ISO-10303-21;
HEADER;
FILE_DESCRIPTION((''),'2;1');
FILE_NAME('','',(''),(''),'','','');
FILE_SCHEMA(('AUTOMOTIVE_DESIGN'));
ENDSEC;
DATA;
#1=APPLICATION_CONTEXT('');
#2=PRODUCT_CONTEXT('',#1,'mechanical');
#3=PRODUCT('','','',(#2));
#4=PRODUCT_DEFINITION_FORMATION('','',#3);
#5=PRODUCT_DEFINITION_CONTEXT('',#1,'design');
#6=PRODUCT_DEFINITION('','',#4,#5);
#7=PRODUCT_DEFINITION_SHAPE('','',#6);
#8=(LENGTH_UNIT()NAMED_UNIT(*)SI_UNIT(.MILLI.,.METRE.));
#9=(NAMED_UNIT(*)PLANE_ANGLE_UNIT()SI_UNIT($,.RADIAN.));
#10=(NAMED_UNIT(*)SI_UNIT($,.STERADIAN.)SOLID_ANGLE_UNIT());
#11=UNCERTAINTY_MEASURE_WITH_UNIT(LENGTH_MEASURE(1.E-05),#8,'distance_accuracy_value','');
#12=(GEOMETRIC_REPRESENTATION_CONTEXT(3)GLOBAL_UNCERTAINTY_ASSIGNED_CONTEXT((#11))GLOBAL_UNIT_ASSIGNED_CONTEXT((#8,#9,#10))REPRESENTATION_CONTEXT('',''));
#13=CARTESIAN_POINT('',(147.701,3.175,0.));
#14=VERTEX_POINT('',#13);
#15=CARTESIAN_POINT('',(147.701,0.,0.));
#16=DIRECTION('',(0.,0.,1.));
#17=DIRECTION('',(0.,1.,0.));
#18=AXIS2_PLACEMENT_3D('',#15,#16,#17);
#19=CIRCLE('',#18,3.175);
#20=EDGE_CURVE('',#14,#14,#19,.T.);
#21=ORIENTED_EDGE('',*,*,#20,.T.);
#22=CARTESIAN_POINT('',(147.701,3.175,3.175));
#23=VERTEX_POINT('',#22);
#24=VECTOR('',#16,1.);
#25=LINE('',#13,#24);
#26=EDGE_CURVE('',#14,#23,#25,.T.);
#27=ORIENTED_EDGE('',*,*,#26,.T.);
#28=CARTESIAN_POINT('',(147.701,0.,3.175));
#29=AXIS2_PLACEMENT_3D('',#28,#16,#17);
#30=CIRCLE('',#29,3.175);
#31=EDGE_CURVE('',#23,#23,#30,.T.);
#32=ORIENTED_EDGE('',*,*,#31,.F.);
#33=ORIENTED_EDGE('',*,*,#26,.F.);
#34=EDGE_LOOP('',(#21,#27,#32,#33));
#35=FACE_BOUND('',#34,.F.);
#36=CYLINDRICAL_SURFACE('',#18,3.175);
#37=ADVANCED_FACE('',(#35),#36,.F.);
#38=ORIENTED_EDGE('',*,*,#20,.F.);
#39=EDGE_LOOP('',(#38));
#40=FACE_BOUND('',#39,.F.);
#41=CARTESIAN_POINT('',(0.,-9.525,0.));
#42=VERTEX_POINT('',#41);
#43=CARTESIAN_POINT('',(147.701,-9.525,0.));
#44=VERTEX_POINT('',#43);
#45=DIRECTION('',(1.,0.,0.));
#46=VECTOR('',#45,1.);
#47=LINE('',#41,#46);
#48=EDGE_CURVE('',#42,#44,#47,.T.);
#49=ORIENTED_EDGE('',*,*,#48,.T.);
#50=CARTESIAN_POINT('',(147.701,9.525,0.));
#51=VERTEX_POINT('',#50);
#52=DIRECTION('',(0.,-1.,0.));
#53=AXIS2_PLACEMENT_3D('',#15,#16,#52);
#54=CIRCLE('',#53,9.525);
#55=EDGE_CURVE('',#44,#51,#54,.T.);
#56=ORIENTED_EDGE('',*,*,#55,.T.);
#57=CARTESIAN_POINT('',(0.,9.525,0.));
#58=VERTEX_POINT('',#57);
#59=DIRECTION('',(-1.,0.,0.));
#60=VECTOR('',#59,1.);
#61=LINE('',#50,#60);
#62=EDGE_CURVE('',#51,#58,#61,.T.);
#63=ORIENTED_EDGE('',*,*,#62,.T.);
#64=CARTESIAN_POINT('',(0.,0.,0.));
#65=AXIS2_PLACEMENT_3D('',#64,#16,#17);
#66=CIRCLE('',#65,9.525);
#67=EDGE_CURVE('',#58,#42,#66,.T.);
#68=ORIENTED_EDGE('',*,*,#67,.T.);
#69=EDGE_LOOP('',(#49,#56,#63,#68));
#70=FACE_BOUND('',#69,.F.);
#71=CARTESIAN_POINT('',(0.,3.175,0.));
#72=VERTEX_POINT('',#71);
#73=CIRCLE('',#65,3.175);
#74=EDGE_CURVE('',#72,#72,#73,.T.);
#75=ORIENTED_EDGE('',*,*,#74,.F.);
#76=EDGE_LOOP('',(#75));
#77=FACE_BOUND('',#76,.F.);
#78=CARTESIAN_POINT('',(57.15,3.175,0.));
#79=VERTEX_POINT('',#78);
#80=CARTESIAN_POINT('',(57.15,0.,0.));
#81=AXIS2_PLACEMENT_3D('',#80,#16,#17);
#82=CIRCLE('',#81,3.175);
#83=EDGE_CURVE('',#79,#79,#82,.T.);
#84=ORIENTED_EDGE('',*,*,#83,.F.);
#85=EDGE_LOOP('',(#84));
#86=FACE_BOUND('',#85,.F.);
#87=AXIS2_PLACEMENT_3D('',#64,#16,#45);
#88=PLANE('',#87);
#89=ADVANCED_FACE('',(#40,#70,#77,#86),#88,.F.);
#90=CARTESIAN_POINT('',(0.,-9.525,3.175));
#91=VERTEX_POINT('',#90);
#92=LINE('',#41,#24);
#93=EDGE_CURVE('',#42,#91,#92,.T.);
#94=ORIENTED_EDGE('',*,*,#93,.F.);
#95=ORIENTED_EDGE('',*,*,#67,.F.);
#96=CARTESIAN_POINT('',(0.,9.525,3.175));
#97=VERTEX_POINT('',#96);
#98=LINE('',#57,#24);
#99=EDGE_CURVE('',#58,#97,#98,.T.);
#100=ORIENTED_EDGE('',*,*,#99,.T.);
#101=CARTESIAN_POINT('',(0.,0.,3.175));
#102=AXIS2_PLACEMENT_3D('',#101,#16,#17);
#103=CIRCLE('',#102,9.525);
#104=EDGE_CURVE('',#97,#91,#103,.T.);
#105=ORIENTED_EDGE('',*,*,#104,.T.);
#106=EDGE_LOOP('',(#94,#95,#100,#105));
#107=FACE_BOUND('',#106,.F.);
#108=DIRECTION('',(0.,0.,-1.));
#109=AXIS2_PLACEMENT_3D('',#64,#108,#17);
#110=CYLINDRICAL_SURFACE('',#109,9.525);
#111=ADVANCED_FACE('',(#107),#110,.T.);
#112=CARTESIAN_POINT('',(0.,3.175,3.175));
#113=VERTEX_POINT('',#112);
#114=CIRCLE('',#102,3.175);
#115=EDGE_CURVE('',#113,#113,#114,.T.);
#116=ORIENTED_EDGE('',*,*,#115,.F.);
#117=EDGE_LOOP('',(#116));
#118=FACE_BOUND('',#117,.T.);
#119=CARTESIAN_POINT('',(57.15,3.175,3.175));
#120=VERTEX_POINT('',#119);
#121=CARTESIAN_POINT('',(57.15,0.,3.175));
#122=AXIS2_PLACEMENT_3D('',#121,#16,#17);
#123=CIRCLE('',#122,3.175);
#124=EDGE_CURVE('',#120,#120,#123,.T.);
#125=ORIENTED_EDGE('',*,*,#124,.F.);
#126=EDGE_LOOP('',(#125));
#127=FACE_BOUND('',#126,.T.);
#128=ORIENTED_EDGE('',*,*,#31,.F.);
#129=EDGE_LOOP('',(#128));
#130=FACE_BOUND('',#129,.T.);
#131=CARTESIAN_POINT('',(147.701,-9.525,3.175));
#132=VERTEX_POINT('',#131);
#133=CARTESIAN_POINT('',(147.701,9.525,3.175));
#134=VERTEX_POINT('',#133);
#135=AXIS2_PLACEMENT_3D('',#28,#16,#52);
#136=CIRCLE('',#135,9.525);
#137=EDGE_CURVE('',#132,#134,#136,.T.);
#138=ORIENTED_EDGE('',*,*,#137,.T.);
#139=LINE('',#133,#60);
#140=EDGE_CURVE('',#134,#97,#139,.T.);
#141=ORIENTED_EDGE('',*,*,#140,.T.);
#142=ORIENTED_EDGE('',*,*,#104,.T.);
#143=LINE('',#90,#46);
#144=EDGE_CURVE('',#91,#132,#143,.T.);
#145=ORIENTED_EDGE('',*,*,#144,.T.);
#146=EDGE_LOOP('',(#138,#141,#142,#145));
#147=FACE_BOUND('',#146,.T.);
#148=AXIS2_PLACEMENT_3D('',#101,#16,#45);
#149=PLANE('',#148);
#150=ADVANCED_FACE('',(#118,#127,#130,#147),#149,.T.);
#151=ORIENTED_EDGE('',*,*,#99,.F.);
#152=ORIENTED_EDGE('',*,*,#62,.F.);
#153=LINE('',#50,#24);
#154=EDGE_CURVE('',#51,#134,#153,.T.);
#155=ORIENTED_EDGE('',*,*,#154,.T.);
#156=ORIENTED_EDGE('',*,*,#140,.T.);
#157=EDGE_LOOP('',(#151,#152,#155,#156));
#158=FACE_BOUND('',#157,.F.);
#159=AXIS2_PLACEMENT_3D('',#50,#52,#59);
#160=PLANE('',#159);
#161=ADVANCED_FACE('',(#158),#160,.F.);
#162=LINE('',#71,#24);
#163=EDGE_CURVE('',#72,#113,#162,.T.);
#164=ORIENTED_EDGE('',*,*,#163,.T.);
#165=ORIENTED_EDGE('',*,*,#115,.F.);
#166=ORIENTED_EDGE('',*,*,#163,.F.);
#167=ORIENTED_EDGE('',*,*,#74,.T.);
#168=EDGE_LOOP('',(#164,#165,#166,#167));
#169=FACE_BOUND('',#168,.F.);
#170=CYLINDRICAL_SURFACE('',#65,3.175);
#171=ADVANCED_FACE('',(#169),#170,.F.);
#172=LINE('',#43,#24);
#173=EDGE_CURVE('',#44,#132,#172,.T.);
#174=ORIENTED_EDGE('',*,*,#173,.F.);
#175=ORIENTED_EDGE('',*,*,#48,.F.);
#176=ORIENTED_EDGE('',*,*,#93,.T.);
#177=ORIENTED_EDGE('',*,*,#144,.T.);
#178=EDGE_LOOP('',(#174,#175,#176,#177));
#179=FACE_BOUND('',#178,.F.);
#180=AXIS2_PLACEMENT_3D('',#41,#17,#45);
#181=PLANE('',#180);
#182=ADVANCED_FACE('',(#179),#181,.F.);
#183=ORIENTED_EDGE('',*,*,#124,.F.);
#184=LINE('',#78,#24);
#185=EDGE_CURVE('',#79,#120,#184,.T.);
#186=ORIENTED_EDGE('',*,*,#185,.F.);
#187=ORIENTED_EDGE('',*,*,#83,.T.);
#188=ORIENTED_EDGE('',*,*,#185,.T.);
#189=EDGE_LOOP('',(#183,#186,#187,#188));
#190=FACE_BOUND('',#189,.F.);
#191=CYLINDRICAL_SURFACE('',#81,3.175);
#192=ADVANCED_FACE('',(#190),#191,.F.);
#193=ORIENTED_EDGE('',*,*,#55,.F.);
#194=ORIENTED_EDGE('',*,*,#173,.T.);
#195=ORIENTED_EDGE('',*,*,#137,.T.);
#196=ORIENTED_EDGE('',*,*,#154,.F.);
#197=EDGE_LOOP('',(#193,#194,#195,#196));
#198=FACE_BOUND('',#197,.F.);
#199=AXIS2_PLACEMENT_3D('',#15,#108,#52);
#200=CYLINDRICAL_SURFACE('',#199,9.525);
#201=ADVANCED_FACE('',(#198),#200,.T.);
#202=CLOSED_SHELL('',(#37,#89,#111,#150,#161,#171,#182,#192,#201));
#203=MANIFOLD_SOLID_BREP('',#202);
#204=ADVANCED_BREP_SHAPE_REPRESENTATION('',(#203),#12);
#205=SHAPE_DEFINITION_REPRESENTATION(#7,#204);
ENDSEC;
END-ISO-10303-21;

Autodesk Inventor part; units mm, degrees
ref_plane "YZ Plane" through (0, 0, 0) normal (1, 0, 0) x (0, 1, 0)
ref_plane "XZ Plane" through (0, 0, 0) normal (0, 1, 0) x (-1, 0, 0)
ref_plane "XY Plane" through (0, 0, 0) normal (0, 0, 1) x (1, 0, 0)
sketch "Sketch1" plane through (0, 0, 0) normal (0, 0, 1) x (1, 0, 0)
  line L0 (0, 0) -> (147.701, 0) construction
  line L1 (0, -9.525) -> (147.701, -9.525)
  line L2 (147.701, 9.525) -> (0, 9.525)
  arc A0 (0, 9.525) -> (0, -9.525) centre (0, 0) ccw
  arc A1 (147.701, -9.525) -> (147.701, 9.525) centre (147.701, 0) ccw
  point P0 (57.15, 0)
  dimension "d0" = 19.05
  dimension "d5" = 57.15
  dimension "d6" = 90.551
extrude "Extrusion1" add sketch "Sketch1" along normal blind 3.175
hole "Hole1" at (0, 0, 0) at (147.701, 0, 0) at (57.15, 0, 0) direction (0, 0, 1) diameter 6.35 end through all
properties part number "CLB_079_ClimberMountReinforceBar" material "Aluminum 6061"
